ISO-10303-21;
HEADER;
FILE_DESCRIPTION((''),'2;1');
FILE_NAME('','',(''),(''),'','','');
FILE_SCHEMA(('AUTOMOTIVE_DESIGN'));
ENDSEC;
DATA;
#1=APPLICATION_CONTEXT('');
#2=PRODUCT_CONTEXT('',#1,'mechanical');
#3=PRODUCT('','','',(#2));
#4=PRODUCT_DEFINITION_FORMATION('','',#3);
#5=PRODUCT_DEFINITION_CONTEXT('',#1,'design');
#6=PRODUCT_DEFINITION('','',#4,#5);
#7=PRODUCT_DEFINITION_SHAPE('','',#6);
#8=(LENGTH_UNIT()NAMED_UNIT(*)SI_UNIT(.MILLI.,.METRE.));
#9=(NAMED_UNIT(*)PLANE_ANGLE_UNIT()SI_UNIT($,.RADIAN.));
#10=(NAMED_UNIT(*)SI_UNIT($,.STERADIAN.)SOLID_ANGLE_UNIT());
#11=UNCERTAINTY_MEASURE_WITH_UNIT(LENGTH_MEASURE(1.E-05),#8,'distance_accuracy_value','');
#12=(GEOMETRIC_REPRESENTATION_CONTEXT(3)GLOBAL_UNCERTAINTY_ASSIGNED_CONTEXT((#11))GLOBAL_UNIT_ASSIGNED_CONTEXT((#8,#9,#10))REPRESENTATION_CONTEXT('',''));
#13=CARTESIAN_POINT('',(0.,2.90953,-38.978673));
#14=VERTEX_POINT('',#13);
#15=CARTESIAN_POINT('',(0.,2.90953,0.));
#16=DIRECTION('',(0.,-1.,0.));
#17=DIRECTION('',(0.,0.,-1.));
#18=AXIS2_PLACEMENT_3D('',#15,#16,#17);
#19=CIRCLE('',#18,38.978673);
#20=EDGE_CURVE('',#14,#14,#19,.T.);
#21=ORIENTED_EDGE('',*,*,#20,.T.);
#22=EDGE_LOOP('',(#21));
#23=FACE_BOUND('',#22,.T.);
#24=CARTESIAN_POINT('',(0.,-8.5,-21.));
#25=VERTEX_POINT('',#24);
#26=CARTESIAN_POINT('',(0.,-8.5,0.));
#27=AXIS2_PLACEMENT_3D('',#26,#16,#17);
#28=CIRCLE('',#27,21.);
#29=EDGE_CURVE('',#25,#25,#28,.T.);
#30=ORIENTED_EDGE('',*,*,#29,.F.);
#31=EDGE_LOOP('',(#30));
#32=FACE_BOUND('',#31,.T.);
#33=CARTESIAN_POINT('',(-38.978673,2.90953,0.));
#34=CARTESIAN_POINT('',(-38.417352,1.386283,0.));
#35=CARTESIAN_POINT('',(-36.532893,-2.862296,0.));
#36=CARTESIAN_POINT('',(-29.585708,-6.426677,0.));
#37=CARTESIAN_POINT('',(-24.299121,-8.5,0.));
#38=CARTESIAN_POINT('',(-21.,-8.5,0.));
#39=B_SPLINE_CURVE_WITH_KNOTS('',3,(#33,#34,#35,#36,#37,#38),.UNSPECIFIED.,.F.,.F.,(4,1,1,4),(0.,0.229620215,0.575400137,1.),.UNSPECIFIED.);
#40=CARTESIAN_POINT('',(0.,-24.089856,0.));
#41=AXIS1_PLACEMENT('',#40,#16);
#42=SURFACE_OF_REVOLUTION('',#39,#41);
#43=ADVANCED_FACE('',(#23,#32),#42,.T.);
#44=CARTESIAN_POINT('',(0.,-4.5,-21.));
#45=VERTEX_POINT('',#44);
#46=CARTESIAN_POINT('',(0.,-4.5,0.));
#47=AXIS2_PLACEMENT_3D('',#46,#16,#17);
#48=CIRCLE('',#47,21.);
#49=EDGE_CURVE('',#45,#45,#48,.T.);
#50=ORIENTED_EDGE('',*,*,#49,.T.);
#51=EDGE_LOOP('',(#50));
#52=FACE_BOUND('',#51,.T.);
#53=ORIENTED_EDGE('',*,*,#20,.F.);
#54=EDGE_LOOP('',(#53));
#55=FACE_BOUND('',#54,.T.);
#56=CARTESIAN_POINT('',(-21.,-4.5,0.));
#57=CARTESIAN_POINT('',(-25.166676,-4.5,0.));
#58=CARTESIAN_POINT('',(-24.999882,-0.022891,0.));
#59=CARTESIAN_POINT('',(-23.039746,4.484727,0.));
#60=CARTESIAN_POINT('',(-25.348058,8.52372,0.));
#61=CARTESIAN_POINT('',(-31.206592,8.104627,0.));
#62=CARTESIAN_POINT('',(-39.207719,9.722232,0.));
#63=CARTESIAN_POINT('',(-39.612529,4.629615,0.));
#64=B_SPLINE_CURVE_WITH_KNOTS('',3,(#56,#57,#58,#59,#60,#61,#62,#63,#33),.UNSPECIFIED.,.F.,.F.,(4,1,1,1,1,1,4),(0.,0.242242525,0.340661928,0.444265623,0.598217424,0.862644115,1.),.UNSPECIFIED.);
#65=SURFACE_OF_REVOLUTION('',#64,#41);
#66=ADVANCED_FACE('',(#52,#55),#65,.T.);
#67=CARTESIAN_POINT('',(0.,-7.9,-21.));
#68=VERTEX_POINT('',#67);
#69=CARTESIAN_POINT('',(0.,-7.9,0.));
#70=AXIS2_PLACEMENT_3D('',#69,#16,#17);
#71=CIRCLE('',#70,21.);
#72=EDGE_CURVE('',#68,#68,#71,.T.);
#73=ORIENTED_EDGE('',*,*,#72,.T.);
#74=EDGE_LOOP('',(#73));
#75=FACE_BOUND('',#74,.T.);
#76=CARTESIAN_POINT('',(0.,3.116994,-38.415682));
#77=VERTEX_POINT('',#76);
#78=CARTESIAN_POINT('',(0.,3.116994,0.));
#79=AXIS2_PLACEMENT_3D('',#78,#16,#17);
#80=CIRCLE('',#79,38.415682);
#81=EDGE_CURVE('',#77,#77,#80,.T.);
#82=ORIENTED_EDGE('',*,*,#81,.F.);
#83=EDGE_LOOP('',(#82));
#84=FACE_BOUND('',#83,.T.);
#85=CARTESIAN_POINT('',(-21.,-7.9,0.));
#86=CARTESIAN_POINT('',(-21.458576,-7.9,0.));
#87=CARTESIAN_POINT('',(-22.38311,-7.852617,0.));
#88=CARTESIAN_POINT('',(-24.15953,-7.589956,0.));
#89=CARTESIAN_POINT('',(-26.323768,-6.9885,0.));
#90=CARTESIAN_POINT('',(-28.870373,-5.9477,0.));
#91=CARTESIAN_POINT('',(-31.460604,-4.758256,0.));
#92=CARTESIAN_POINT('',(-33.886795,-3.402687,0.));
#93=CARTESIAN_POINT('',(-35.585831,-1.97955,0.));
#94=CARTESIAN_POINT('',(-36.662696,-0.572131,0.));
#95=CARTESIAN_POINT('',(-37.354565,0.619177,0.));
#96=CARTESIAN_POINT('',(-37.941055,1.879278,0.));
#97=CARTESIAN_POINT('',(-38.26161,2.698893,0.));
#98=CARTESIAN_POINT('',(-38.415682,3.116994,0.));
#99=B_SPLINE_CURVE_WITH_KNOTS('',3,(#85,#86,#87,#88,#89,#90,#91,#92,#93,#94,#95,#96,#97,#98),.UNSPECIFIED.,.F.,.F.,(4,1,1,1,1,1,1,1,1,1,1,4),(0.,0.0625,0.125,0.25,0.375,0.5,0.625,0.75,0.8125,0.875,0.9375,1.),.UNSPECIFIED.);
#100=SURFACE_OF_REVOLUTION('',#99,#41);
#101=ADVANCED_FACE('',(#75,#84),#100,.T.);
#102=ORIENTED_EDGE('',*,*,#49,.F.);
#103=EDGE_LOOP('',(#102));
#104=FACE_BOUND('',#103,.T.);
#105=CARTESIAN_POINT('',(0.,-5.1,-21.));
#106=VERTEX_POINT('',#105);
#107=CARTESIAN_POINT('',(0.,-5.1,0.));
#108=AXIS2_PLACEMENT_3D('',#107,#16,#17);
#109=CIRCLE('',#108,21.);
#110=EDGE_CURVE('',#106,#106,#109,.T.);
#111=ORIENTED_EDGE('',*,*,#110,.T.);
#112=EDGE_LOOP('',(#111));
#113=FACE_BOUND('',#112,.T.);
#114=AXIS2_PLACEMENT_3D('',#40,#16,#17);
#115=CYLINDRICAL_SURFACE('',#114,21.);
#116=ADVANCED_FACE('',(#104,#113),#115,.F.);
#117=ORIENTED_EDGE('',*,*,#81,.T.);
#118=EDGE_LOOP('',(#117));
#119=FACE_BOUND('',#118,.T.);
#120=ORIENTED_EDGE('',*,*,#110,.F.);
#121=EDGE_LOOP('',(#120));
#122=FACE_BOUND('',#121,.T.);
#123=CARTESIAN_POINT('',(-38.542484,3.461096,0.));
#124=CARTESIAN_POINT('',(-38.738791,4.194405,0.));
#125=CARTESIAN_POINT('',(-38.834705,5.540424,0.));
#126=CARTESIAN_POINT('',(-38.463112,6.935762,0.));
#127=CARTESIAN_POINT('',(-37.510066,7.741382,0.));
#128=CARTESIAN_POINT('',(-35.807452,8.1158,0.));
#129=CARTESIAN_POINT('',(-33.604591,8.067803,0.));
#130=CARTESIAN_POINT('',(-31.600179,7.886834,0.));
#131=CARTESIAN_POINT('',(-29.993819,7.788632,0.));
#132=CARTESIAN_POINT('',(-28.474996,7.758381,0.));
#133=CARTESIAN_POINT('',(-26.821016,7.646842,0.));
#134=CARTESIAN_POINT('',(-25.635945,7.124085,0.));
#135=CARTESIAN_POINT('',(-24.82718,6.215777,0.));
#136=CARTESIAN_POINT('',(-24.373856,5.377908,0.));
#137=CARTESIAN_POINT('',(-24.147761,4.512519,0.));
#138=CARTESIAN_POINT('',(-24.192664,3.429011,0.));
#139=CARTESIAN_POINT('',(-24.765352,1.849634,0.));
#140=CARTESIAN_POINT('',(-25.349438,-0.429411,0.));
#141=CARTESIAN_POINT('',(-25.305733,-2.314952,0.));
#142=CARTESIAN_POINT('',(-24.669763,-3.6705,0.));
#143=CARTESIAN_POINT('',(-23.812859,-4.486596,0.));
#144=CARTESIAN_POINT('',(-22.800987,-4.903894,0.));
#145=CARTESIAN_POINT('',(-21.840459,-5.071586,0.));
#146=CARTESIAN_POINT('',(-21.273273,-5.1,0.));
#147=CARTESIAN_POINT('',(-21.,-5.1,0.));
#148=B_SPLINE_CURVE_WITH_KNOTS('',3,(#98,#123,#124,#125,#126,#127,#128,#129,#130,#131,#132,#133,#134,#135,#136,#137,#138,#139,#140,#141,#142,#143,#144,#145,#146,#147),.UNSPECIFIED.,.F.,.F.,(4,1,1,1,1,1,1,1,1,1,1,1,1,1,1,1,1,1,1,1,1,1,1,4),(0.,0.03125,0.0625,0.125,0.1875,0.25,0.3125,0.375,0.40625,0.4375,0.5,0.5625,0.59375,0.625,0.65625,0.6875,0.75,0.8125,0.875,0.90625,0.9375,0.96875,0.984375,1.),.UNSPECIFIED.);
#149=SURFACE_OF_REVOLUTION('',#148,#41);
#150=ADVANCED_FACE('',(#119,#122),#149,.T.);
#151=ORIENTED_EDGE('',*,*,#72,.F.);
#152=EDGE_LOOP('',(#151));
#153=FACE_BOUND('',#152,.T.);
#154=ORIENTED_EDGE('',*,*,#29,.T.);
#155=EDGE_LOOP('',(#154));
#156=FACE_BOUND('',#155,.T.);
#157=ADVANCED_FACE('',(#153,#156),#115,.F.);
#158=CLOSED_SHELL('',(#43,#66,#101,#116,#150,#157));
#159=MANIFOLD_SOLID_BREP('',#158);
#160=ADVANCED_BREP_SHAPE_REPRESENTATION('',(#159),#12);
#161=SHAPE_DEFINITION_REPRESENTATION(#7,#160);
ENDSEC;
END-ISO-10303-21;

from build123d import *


with BuildPart() as part:
    # Sketch1 → Revolve1 (revolve)
    with BuildSketch(Plane.XY, mode=Mode.PRIVATE) as revolve1_sk:
        with BuildLine():
            Line((-21, -4.5), (-21, -5.1))
            add(Edge.make_bspline(
                [(-21, -5.1), (-21.27327309, -5.1), (-21.840459318, -5.071586268), (-22.800987041, -4.903894124), (-23.812858795, -4.486596363), (-24.669762955, -3.670500073), (-25.305732525, -2.314952192), (-25.349437655, -0.429410503), (-24.765352392, 1.84963414), (-24.192663684, 3.429010942), (-24.147760503, 4.512519123), (-24.373856034, 5.377908195), (-24.827180272, 6.215776653), (-25.635945323, 7.124084625), (-26.821016469, 7.646841852), (-28.474996377, 7.758380815), (-29.993818574, 7.788631541), (-31.600178696, 7.8868342), (-33.60459085, 8.067802744), (-35.807452445, 8.115799699), (-37.510065621, 7.741382086), (-38.463112348, 6.935761649), (-38.834705224, 5.540424024), (-38.738791176, 4.194405104), (-38.542484324, 3.461096209), (-38.415681732, 3.116994042)],
                knots=[0, 0, 0, 0, 0.015625, 0.03125, 0.0625, 0.09375, 0.125, 0.1875, 0.25, 0.3125, 0.34375, 0.375, 0.40625, 0.4375, 0.5, 0.5625, 0.59375, 0.625, 0.6875, 0.75, 0.8125, 0.875, 0.9375, 0.96875, 1, 1, 1, 1], degree=3))
            add(Edge.make_bspline(
                [(-38.415681732, 3.116994042), (-38.261610197, 2.698892583), (-37.941054821, 1.87927755), (-37.354564926, 0.619176977), (-36.662696374, -0.572130657), (-35.585831493, -1.979549639), (-33.886794694, -3.402686611), (-31.460604378, -4.758256349), (-28.870373086, -5.947699616), (-26.323768046, -6.988499704), (-24.159530177, -7.589956014), (-22.383109604, -7.852616903), (-21.458576263, -7.9), (-21, -7.9)],
                knots=[0, 0, 0, 0, 0.0625, 0.125, 0.1875, 0.25, 0.375, 0.5, 0.625, 0.75, 0.875, 0.9375, 1, 1, 1, 1], degree=3))
            Line((-21, -7.9), (-21, -8.5))
            add(Edge.make_bspline(
                [(-21, -8.5), (-24.299121393, -8.5), (-29.585707762, -6.426676931), (-36.532893353, -2.862296284), (-38.417351725, 1.386282628), (-38.978672681, 2.909530333)],
                knots=[0, 0, 0, 0, 0.424599863, 0.770379785, 1, 1, 1, 1], degree=3))
            add(Edge.make_bspline(
                [(-21, -4.5), (-25.166676349, -4.5), (-24.999881565, -0.022890827), (-23.039745829, 4.484727471), (-25.348058045, 8.523720002), (-31.206592105, 8.10462668), (-39.207719476, 9.72223212), (-39.612528658, 4.629615161), (-38.978672681, 2.909530333)],
                knots=[0, 0, 0, 0, 0.242242525, 0.340661928, 0.444265623, 0.598217424, 0.862644115, 1, 1, 1, 1], degree=3))
        make_face()
    revolve(revolve1_sk.sketch.rotate(Axis((0, -24.089855655, 0), (0, 1, 0)), 270), axis=Axis((0, -24.089855655, 0), (0, 1, 0)))


solid = part.part
